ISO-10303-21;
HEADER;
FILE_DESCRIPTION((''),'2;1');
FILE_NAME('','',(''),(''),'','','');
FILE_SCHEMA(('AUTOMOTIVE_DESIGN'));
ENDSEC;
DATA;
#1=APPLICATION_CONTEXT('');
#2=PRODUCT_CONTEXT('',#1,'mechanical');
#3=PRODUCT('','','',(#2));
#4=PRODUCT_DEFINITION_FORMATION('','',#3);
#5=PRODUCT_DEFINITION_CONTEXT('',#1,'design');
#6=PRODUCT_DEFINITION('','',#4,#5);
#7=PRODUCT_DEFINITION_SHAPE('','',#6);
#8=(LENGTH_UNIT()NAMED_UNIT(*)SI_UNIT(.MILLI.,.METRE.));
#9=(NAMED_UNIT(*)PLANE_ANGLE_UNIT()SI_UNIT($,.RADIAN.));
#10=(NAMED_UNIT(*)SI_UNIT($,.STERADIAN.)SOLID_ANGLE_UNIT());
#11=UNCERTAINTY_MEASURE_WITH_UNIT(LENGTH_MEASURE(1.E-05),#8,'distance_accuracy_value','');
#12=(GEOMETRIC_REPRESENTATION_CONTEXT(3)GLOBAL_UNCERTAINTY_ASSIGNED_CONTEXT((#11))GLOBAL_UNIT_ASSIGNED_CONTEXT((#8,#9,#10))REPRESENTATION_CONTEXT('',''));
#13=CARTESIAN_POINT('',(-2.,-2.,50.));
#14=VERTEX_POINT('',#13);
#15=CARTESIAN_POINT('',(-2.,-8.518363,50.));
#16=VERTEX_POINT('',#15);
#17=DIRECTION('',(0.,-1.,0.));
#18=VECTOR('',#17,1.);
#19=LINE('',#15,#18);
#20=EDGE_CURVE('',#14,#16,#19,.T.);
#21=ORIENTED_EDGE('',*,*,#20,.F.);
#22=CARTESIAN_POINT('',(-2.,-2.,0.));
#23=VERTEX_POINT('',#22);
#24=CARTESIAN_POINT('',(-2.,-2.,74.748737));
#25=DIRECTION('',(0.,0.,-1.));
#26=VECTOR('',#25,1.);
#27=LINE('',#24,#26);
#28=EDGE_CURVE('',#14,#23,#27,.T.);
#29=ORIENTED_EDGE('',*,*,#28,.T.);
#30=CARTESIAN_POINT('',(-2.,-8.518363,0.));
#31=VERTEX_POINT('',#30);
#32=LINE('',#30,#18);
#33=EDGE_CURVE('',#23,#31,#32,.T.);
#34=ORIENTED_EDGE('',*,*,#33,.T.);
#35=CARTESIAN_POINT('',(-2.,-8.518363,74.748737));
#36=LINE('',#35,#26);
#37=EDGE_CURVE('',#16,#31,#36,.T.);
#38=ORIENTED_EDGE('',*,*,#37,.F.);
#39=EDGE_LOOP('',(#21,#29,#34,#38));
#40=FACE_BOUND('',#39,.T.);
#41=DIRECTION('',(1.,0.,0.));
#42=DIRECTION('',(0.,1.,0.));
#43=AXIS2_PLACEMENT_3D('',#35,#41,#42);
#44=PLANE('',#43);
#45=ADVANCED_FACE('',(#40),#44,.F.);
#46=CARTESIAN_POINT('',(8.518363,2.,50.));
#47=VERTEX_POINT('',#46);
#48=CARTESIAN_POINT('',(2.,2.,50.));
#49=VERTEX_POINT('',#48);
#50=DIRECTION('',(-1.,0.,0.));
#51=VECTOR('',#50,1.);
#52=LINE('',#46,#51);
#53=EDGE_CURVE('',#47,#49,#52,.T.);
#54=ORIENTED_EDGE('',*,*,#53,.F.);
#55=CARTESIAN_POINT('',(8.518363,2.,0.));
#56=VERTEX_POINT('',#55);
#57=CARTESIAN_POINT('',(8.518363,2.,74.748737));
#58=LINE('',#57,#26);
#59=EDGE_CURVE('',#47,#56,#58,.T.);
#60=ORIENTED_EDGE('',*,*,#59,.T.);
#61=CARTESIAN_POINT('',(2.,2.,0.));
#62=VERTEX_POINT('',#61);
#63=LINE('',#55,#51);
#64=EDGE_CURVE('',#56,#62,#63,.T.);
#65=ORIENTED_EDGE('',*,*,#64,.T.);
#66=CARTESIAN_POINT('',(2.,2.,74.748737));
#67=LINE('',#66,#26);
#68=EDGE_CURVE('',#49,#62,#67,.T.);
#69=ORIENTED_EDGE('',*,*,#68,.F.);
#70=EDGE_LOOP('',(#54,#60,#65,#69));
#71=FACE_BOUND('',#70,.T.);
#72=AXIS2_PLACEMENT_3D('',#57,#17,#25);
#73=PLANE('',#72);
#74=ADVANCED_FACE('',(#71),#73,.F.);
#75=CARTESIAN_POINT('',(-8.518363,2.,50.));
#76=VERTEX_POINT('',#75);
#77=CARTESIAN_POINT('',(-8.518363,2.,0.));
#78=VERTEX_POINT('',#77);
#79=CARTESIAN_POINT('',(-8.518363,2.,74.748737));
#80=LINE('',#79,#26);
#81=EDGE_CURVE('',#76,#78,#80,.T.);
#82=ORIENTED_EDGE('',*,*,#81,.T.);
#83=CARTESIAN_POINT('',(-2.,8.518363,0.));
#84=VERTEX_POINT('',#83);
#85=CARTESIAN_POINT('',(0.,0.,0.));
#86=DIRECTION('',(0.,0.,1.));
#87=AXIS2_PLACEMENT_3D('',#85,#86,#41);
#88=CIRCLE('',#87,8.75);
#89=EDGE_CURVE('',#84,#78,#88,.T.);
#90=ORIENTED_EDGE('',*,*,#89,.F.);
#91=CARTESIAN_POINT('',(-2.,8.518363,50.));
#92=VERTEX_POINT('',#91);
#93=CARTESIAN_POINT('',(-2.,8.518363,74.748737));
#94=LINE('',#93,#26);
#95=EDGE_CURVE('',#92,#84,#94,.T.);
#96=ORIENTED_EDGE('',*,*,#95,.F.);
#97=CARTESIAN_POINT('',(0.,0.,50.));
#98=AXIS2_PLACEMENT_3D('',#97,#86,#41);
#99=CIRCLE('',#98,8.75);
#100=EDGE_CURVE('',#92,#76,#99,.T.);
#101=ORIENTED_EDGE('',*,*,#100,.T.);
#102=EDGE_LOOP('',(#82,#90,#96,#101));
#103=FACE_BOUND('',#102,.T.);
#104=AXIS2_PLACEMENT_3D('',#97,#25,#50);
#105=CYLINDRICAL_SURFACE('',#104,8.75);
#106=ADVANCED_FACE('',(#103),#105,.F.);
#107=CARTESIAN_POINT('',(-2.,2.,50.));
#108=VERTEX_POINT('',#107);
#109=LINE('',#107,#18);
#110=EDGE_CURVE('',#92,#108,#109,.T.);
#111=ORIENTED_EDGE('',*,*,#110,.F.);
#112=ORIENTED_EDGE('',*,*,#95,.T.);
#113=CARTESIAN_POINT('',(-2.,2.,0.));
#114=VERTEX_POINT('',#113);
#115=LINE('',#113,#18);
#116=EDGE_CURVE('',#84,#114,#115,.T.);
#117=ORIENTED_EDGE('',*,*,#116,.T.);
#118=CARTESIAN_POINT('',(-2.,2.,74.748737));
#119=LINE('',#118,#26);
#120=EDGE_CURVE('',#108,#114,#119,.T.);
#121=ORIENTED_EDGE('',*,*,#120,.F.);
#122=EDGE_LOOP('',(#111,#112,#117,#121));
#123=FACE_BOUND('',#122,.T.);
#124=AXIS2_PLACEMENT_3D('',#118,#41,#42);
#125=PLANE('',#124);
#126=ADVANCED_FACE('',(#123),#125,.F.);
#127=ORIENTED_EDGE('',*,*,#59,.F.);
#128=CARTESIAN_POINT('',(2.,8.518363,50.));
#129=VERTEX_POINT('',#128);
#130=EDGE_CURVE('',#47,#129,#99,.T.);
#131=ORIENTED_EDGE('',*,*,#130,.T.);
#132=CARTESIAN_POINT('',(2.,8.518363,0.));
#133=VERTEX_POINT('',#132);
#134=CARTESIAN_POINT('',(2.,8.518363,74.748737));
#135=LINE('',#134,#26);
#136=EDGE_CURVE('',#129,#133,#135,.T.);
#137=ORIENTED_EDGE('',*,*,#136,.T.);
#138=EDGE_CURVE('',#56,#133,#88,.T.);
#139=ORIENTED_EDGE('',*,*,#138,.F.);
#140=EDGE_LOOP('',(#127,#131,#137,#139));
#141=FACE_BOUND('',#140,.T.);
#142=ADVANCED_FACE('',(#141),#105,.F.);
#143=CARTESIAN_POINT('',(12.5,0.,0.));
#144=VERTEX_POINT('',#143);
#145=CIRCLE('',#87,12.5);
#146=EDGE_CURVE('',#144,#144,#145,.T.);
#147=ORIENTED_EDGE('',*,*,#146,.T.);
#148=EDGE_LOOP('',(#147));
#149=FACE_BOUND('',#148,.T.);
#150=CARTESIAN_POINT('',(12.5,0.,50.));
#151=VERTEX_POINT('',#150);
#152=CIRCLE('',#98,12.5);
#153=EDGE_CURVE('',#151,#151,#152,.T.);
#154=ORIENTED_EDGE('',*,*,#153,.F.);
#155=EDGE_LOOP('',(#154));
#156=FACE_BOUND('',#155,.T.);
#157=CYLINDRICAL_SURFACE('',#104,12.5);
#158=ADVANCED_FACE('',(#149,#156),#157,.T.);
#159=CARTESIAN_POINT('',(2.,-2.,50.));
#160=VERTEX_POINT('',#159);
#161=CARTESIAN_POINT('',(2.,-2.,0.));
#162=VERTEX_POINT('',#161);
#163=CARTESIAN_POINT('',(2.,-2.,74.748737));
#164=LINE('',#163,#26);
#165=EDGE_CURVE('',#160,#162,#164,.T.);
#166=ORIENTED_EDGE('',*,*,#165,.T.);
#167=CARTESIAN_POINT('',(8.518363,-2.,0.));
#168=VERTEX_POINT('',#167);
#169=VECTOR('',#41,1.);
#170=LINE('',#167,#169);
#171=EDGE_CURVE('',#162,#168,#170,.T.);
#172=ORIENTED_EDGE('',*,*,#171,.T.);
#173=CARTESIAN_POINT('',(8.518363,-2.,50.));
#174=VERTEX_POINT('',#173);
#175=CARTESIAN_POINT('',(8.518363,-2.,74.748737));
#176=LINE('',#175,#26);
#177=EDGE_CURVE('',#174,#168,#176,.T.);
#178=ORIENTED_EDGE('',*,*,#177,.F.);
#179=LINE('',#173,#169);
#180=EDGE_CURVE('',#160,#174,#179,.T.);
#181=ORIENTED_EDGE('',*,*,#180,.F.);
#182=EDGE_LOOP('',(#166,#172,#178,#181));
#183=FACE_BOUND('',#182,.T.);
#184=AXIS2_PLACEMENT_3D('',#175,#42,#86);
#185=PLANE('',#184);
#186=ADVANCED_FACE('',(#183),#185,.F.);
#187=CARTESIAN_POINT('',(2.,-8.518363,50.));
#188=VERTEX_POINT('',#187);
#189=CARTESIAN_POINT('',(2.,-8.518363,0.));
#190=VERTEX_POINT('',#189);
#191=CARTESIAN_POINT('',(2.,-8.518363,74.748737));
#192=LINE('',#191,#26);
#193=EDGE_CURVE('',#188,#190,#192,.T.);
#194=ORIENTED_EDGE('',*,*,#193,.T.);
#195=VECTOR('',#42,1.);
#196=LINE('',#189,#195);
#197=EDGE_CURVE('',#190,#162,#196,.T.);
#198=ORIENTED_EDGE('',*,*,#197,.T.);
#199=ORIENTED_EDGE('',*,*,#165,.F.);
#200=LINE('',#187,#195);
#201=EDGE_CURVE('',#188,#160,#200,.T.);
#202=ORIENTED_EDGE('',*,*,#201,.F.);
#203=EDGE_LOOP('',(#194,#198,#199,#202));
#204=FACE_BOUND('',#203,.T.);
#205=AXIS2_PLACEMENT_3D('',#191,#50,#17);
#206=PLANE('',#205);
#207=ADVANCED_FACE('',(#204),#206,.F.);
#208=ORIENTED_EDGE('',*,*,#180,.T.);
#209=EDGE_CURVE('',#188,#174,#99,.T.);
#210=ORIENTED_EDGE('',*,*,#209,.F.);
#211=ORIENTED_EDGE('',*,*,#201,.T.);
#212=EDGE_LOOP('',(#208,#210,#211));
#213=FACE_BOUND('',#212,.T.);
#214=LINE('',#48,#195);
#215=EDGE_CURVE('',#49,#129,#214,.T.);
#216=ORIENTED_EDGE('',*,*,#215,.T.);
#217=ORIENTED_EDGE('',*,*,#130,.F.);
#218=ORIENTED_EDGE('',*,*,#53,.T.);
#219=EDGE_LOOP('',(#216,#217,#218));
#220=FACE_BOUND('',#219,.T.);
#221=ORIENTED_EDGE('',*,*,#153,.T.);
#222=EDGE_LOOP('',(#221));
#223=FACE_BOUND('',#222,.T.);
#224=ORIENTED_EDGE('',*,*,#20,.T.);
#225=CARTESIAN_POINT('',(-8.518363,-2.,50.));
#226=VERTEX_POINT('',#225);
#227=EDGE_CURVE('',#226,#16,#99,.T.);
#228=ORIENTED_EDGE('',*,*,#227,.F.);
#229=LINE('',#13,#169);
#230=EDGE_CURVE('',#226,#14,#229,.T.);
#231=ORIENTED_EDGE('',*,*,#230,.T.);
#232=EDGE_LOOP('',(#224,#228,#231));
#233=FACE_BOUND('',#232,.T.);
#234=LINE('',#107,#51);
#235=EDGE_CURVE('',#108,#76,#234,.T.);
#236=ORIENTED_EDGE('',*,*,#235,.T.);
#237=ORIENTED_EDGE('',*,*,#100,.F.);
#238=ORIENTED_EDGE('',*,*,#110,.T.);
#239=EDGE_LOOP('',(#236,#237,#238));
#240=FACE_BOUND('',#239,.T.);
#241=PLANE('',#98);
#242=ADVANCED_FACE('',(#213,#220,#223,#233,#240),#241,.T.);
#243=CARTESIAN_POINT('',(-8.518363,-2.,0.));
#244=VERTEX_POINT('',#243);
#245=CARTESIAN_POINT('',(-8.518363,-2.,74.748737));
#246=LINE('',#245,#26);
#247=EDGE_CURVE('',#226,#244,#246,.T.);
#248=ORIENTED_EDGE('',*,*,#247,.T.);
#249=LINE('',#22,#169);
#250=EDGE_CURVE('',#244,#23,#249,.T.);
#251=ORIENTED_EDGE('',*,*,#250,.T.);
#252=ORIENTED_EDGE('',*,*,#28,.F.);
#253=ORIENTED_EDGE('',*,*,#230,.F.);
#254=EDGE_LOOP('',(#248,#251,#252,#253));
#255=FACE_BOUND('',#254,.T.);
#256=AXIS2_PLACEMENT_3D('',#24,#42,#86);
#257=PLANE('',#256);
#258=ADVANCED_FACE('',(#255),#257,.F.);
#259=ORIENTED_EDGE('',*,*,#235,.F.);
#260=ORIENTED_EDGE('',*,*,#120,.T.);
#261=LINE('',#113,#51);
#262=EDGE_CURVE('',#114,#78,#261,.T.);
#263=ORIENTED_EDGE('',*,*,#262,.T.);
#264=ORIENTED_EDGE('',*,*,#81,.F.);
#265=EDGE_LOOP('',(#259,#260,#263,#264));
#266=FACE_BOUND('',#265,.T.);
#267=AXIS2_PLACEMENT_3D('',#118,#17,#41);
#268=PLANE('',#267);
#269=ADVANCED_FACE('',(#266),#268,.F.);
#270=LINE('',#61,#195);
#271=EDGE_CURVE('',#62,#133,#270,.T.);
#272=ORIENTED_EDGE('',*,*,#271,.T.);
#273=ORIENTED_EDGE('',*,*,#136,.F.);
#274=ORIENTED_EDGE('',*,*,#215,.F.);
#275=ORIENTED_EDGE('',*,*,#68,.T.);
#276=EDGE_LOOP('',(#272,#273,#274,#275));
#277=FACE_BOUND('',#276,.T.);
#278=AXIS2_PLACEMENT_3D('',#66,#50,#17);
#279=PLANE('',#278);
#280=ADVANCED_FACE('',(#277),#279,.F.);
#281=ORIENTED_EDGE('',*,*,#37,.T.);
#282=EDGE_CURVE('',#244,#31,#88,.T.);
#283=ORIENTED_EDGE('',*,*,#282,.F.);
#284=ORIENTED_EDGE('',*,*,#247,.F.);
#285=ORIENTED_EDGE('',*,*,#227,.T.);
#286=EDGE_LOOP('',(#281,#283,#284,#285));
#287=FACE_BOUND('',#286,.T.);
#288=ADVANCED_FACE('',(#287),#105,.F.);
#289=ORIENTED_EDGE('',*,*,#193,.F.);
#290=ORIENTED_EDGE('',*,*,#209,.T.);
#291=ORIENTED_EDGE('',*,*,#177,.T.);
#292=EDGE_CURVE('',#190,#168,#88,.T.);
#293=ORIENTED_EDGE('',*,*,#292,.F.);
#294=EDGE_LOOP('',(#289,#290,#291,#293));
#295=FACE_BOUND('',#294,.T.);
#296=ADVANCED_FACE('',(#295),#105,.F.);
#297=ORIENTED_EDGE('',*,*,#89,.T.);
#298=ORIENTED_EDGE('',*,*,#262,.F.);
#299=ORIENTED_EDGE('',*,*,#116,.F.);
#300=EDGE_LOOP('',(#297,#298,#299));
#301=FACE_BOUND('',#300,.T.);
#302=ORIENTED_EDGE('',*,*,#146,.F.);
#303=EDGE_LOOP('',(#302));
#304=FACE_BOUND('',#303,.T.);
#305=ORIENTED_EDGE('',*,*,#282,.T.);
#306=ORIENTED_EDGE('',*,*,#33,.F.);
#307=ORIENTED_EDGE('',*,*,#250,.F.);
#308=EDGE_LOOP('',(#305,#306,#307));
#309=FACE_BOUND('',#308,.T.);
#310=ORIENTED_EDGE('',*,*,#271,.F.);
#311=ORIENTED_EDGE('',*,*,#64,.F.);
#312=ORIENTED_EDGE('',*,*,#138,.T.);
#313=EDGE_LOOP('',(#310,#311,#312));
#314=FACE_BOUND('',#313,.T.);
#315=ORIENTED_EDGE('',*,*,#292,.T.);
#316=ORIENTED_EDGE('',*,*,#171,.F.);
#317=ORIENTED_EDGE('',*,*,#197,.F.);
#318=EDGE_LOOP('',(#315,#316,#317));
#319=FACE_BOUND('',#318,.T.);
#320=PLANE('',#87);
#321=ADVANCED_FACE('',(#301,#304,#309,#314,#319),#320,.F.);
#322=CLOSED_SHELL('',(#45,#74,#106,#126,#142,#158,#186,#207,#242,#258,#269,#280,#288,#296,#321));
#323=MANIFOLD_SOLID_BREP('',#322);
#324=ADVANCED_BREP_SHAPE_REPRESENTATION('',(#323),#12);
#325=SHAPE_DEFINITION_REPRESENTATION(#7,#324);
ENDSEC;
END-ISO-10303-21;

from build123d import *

# Parameters (mm, degrees)
SKETCH1_R           = 12.5
SKETCH1_R_2         = 8.75
BOSS_EXTRUDE1_DEPTH = 50
BOSS_EXTRUDE2_DEPTH = 50


with BuildPart() as part:
    # Sketch1 → Boss-Extrude1 (new body)
    with BuildSketch(Plane.XY):
        Circle(SKETCH1_R)
        Circle(SKETCH1_R_2, mode=Mode.SUBTRACT)
    extrude(amount=BOSS_EXTRUDE1_DEPTH)

    # Sketch2 → Boss-Extrude2 (add)
    with BuildSketch(Plane.XY):
        with BuildLine():
            Line((-2, -8.518362519), (-2, -2))
            Line((-2, -2), (-8.518362519, -2))
            ThreePointArc((-8.518362519, -2), (-8.75, 0), (-8.518362519, 2))
            Line((-8.518362519, 2), (-2, 2))
            Line((-2, 2), (-2, 8.518362519))
            ThreePointArc((-2, 8.518362519), (0, 8.75), (2, 8.518362519))
            Line((2, 8.518362519), (2, 2))
            Line((2, 2), (8.518362519, 2))
            ThreePointArc((8.518362519, 2), (8.75, 0), (8.518362519, -2))
            Line((8.518362519, -2), (2, -2))
            Line((2, -2), (2, -8.518362519))
            ThreePointArc((2, -8.518362519), (0, -8.75), (-2, -8.518362519))
        make_face()
    extrude(amount=BOSS_EXTRUDE2_DEPTH)


solid = part.part
